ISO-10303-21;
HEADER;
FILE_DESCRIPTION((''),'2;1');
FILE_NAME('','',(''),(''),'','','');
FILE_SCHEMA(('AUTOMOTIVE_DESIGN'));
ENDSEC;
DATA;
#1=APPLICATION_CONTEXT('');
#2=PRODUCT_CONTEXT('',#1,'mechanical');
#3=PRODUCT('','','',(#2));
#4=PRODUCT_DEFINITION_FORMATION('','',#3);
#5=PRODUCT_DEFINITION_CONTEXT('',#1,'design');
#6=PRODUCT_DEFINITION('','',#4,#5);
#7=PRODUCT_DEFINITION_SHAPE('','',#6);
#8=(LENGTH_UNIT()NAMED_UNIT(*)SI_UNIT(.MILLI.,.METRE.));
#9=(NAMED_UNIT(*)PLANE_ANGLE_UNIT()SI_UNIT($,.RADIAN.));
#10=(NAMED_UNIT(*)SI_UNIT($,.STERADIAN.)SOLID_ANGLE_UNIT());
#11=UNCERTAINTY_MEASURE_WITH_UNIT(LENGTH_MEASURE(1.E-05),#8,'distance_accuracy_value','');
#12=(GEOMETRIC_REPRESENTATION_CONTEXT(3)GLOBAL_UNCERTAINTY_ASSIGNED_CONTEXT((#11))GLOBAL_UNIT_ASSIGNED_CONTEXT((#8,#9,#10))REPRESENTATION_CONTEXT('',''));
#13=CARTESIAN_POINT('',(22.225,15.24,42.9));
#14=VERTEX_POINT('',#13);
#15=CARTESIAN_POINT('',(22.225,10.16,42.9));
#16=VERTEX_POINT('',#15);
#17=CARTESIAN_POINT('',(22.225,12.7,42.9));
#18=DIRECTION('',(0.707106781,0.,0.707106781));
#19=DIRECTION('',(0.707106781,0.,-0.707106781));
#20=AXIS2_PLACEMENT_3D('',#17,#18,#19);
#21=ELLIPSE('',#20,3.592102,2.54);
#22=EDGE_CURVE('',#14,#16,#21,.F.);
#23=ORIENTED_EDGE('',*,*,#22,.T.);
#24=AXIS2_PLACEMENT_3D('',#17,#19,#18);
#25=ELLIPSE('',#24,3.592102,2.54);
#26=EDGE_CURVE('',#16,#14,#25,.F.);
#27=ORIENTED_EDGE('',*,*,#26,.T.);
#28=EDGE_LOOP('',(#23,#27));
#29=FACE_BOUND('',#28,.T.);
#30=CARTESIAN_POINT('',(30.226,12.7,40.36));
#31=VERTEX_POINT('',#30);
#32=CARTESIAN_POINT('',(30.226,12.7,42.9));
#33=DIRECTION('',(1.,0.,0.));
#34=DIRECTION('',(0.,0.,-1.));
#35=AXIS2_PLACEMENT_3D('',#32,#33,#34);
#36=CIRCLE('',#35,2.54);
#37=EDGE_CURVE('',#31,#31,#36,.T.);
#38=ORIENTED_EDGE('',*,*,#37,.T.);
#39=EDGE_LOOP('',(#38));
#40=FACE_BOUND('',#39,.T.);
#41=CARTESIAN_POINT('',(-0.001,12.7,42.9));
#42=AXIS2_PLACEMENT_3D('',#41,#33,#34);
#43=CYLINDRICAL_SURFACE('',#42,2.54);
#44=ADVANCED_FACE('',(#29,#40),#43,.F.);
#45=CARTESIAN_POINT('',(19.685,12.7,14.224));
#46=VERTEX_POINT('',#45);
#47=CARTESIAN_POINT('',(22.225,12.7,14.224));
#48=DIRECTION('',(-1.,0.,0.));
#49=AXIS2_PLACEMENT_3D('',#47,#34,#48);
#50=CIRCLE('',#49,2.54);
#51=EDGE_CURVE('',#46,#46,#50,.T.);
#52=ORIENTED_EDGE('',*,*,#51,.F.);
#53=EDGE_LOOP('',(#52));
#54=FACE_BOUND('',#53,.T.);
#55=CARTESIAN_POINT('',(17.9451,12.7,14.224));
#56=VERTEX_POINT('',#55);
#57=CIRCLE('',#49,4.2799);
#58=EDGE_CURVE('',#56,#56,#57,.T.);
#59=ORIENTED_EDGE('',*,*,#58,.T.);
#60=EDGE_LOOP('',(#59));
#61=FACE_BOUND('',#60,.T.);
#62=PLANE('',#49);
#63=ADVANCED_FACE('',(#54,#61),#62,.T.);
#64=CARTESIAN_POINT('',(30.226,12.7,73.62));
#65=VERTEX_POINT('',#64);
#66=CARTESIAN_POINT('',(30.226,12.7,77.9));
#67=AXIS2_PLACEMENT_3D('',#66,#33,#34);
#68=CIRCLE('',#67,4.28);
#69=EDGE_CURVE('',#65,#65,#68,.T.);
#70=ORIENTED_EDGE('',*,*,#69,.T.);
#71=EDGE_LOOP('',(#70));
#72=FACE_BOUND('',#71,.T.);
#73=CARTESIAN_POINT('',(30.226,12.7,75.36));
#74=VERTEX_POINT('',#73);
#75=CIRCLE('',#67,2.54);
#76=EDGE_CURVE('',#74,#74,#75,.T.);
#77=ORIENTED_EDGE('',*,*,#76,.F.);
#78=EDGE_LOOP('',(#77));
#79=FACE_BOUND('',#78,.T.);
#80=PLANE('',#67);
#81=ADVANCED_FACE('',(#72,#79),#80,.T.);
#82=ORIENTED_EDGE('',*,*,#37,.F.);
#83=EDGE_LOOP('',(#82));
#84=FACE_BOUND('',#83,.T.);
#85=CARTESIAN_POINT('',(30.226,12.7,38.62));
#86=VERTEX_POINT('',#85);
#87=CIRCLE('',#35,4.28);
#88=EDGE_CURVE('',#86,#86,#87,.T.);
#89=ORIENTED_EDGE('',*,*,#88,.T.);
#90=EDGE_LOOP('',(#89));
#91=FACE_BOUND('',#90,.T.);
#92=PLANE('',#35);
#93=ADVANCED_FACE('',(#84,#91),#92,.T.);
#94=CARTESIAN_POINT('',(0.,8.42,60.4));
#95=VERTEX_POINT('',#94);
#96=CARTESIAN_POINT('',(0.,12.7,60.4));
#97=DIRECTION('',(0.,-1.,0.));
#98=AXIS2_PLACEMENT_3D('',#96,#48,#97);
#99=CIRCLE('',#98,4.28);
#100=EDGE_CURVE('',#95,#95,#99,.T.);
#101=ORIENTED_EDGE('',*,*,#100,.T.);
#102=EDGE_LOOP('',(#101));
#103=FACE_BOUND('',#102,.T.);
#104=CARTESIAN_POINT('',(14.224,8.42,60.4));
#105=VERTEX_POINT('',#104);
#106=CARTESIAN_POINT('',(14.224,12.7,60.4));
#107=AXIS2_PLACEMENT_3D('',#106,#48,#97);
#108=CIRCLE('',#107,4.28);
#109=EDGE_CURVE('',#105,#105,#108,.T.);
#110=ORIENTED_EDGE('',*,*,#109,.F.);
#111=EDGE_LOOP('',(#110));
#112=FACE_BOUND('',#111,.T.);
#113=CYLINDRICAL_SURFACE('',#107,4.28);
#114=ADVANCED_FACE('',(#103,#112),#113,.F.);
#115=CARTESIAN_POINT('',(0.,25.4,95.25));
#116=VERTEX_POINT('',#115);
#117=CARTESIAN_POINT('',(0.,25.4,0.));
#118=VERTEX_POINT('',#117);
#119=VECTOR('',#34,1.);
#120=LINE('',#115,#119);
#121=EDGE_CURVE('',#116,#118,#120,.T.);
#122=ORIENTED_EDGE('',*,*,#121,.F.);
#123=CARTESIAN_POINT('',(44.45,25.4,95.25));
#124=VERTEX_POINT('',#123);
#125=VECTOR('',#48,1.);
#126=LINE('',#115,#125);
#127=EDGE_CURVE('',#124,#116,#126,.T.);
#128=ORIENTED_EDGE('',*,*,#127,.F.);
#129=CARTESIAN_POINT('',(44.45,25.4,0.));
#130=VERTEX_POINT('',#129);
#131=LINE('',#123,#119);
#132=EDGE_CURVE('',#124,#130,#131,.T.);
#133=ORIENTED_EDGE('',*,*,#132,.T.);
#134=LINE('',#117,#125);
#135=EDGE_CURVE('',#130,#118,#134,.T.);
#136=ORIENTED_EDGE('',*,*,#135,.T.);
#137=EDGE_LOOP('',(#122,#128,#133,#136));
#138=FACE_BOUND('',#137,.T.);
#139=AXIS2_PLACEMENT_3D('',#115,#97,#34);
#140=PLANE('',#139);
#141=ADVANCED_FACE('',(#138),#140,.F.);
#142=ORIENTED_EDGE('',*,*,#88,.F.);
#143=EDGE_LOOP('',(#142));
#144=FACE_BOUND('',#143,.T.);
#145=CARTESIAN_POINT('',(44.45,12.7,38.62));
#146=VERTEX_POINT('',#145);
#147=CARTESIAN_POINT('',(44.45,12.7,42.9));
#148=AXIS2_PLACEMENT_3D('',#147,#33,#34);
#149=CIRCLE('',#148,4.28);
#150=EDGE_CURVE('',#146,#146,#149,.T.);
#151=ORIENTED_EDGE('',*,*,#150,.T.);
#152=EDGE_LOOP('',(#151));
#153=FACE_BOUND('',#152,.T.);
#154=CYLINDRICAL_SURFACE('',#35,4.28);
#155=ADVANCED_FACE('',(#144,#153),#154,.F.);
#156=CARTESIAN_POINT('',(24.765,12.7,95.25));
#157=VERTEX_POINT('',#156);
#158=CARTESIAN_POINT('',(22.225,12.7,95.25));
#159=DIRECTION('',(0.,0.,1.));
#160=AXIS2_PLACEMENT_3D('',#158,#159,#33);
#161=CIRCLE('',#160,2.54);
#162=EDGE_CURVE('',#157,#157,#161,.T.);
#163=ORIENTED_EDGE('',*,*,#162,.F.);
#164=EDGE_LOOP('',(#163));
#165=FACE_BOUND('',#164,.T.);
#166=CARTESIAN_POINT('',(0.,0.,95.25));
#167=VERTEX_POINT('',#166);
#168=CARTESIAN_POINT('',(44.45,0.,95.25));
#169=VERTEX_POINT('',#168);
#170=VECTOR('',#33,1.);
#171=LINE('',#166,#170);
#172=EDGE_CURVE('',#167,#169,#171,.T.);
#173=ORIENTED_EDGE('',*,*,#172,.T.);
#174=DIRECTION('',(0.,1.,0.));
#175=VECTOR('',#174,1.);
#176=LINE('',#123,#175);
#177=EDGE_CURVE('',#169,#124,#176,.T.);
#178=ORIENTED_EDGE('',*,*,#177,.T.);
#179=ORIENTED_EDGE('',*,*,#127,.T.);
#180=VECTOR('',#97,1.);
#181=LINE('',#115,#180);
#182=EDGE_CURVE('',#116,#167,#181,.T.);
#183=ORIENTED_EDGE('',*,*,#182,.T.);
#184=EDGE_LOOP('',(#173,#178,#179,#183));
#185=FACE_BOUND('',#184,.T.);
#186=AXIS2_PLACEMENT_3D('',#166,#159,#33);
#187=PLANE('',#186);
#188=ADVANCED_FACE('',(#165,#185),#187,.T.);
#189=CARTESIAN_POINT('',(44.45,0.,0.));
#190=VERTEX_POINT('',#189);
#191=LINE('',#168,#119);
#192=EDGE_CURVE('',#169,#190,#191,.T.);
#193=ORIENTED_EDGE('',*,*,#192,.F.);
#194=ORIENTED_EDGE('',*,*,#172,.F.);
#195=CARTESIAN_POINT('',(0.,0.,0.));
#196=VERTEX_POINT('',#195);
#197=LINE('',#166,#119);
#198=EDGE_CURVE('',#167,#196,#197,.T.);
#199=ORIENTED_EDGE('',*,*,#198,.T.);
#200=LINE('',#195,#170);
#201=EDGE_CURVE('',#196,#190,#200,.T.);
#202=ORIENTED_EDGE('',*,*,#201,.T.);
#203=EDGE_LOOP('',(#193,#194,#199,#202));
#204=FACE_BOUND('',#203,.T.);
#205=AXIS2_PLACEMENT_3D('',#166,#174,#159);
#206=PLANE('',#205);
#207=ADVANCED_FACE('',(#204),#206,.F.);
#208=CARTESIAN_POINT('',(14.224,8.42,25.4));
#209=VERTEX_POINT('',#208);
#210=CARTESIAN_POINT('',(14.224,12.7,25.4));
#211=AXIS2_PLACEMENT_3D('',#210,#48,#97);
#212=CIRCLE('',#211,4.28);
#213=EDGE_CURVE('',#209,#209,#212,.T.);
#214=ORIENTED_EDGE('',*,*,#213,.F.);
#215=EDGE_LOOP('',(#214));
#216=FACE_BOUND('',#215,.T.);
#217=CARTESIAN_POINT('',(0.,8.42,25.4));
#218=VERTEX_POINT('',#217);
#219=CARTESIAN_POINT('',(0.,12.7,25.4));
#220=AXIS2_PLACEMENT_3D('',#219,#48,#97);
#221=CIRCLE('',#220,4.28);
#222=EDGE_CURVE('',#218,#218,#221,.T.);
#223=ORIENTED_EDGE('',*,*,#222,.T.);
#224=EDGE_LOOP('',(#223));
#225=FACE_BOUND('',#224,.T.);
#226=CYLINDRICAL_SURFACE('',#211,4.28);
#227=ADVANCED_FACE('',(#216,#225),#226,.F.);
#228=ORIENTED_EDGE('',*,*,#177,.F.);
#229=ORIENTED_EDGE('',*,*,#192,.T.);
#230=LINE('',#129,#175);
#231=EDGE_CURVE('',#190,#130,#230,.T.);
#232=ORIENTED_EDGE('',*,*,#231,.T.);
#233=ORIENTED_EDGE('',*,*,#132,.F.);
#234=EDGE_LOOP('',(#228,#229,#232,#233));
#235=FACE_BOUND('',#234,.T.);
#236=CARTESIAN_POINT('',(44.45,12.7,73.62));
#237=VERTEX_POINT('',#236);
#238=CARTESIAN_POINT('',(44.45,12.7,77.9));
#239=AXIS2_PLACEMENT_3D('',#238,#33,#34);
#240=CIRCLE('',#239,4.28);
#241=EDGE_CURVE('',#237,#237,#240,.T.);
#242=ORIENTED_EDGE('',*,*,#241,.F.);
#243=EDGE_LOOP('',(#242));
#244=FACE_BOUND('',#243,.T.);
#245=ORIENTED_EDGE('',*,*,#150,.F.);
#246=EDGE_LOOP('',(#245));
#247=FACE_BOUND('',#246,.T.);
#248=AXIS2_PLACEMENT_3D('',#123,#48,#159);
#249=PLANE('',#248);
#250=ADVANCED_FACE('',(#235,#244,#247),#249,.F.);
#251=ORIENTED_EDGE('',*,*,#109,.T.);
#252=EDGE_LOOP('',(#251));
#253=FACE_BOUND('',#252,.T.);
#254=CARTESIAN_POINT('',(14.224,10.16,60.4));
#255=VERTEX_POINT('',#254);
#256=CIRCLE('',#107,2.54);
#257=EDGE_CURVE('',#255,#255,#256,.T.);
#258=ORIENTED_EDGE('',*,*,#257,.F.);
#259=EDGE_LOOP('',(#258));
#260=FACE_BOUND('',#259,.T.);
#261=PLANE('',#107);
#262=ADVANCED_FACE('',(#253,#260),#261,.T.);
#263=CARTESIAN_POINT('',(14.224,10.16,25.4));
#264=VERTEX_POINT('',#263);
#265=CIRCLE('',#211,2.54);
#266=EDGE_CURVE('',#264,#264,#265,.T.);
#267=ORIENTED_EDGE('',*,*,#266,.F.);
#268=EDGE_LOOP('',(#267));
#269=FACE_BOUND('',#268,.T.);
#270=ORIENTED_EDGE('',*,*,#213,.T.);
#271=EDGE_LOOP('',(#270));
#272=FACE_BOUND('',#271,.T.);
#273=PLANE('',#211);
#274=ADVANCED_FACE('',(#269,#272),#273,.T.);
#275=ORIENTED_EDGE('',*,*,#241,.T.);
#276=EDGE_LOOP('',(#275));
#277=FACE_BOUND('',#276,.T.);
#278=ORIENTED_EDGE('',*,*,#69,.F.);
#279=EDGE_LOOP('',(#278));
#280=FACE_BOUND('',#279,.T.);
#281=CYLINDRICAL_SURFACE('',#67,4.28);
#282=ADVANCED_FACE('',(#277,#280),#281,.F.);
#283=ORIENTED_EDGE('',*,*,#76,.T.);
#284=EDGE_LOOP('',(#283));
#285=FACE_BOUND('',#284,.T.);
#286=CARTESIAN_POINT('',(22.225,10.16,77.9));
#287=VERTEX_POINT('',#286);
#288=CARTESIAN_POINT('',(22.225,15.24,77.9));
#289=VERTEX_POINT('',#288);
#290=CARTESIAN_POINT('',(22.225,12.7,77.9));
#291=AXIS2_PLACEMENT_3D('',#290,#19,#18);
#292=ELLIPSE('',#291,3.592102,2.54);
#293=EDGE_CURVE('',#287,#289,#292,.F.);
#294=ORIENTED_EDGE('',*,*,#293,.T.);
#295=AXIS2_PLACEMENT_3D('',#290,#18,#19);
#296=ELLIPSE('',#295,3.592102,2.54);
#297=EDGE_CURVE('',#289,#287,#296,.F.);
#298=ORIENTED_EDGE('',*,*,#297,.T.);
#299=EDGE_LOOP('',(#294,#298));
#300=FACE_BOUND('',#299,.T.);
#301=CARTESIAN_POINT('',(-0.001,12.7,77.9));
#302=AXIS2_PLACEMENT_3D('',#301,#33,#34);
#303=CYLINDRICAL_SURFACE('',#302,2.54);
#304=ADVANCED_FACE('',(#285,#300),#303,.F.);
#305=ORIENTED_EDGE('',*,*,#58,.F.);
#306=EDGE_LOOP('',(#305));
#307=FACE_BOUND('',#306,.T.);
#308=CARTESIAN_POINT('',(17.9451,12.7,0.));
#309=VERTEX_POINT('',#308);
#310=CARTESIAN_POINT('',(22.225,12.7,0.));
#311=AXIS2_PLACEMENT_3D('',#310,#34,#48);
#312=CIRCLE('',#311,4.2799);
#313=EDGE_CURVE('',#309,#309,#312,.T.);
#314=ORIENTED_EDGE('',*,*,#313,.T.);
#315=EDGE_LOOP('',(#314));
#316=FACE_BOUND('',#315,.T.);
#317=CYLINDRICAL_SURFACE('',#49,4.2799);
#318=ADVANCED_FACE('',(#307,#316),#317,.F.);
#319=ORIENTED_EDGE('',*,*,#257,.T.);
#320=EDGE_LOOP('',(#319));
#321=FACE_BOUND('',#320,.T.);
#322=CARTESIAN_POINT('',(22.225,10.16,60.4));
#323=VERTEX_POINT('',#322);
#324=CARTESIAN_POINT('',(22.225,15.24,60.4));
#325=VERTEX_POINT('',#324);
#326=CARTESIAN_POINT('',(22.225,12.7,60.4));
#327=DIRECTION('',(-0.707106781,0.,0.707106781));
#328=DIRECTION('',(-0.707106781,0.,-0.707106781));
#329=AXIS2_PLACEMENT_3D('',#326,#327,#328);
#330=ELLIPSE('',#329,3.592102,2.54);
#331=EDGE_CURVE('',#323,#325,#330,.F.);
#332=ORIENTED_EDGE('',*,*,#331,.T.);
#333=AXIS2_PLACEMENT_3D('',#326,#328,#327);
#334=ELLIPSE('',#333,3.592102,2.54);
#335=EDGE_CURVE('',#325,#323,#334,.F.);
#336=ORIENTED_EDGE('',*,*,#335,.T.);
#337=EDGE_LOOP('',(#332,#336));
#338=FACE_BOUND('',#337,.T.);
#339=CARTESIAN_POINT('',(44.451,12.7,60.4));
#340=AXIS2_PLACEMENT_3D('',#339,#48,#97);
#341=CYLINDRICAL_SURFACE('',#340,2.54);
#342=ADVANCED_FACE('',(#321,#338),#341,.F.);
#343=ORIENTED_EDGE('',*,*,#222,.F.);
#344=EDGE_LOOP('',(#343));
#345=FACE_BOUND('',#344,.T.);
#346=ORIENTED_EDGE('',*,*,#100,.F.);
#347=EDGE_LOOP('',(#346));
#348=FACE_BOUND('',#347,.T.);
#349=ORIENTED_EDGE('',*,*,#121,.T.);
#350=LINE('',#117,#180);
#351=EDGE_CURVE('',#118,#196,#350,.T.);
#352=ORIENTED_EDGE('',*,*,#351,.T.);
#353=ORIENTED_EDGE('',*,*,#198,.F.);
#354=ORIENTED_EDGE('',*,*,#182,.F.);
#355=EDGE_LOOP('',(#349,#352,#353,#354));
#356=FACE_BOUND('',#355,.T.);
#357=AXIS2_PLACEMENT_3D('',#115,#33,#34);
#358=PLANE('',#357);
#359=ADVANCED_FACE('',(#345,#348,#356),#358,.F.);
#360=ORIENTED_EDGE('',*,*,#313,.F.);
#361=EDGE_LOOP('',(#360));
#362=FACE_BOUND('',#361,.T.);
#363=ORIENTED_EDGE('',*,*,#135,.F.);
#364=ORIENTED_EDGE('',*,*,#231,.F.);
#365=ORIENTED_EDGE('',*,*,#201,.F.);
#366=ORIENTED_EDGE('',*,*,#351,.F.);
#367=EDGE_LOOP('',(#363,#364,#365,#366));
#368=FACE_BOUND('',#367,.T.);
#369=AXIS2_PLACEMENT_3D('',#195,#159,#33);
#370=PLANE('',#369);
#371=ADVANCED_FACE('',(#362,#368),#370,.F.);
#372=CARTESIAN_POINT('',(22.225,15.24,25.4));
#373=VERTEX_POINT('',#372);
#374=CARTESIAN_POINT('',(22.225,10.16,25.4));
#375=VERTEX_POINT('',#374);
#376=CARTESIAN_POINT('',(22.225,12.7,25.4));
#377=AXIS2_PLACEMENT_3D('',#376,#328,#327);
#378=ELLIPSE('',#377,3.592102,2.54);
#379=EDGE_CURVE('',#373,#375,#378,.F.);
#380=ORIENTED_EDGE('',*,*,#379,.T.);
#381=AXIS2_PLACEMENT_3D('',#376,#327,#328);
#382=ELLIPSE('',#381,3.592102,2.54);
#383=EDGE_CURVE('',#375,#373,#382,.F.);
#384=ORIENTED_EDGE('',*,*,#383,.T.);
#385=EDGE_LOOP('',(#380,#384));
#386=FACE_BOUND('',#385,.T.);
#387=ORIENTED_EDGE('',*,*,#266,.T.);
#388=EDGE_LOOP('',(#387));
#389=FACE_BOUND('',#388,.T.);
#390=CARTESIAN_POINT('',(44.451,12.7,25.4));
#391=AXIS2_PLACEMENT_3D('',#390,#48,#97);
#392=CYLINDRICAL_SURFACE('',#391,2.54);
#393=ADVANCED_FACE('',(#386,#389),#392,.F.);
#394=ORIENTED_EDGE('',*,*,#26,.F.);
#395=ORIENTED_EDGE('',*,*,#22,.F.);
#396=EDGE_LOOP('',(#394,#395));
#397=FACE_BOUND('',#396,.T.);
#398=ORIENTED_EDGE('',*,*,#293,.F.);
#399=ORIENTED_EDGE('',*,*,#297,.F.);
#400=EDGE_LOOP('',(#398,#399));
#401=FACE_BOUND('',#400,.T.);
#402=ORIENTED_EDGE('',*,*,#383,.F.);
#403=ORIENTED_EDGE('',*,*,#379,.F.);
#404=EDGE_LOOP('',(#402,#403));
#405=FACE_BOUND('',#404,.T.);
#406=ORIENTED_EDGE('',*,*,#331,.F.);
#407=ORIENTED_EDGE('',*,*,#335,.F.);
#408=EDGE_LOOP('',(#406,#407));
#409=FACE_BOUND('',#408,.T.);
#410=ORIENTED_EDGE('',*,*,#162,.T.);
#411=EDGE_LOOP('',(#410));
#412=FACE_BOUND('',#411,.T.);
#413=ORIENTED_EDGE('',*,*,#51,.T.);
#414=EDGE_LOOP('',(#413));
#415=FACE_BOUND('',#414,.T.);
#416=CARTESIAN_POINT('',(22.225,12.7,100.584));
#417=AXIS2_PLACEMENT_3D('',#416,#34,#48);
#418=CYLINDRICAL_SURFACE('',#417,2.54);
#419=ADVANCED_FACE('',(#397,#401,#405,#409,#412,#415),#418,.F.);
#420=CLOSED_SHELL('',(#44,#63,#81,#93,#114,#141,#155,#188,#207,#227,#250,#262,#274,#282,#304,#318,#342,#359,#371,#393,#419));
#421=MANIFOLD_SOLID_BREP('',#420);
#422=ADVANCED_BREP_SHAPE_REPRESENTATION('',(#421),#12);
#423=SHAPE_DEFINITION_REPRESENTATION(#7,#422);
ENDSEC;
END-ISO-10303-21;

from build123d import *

# Parameters (mm, degrees)
SKETCH1_W           = 44.45
SKETCH1_H           = 25.4
BOSS_EXTRUDE1_DEPTH = 95.25
SKETCH2_R           = 4.28
CUT_EXTRUDE1_DEPTH  = 14.224
SKETCH3_R           = 4.28
CUT_EXTRUDE2_DEPTH  = 14.224
SKETCH5_R           = 4.2799
CUT_EXTRUDE4_DEPTH  = 14.224
SKETCH6_R           = 2.54
CUT_EXTRUDE5_DEPTH  = 86.36
CUT_EXTRUDE6_REACH  = 32.226
SKETCH7_R           = 2.54
CUT_EXTRUDE7_REACH  = 32.226
SKETCH8_R           = 2.54


with BuildPart() as part:
    # Sketch1 → Boss-Extrude1 (new body)
    with BuildSketch(Plane.XY):
        with Locations((22.225, 12.7)):
            Rectangle(SKETCH1_W, SKETCH1_H)
    extrude(amount=BOSS_EXTRUDE1_DEPTH)

    # Sketch2 → Cut-Extrude1 (cut)
    with BuildSketch(Plane.ZY):
        with Locations((25.4, 12.7)):
            Circle(SKETCH2_R)
        with Locations((60.4, 12.7)):
            Circle(SKETCH2_R)
    extrude(amount=-CUT_EXTRUDE1_DEPTH, mode=Mode.SUBTRACT)

    # Sketch3 → Cut-Extrude2 (cut)
    with BuildSketch(Plane(origin=(44.45, 0, 0), x_dir=(0, 0, -1), z_dir=(1, 0, 0))):
        with Locations((-77.9, 12.7)):
            Circle(SKETCH3_R)
        with Locations((-42.9, 12.7)):
            Circle(SKETCH3_R)
    extrude(amount=-CUT_EXTRUDE2_DEPTH, mode=Mode.SUBTRACT)

    # Sketch5 → Cut-Extrude4 (cut)
    with BuildSketch(Plane(origin=(0, 0, 0), x_dir=(-1, 0, 0), z_dir=(0, 0, -1))):
        with Locations((-22.225, 12.7)):
            Circle(SKETCH5_R)
    extrude(amount=-CUT_EXTRUDE4_DEPTH, mode=Mode.SUBTRACT)

    # Sketch6 → Cut-Extrude5 (cut)
    with BuildSketch(Plane(origin=(0, 0, 14.224), x_dir=(-1, 0, 0), z_dir=(0, 0, -1))):
        with Locations((-22.225, 12.7)):
            Circle(SKETCH6_R)
    extrude(amount=-CUT_EXTRUDE5_DEPTH, mode=Mode.SUBTRACT)

    # Sketch7 → Cut-Extrude6 (cut, up to next)
    with BuildSketch(Plane(origin=(30.226, 0, 0), x_dir=(0, 0, -1), z_dir=(1, 0, 0)), mode=Mode.PRIVATE) as cut_extrude6_sk1:
        with Locations((-42.9, 12.7)):
            Circle(SKETCH7_R)
    cut_extrude6_tool1 = extrude(cut_extrude6_sk1.sketch, amount=-CUT_EXTRUDE6_REACH, mode=Mode.PRIVATE) & part.part
    add(cut_extrude6_tool1.solids().sort_by_distance((30.226, 12.7, 42.9))[0], mode=Mode.SUBTRACT)
    # Sketch7 → Cut-Extrude6 (cut, up to next)
    with BuildSketch(Plane(origin=(30.226, 0, 0), x_dir=(0, 0, -1), z_dir=(1, 0, 0)), mode=Mode.PRIVATE) as cut_extrude6_sk2:
        with Locations((-77.9, 12.7)):
            Circle(SKETCH7_R)
    cut_extrude6_tool2 = extrude(cut_extrude6_sk2.sketch, amount=-CUT_EXTRUDE6_REACH, mode=Mode.PRIVATE) & part.part
    add(cut_extrude6_tool2.solids().sort_by_distance((30.226, 12.7, 77.9))[0], mode=Mode.SUBTRACT)

    # Sketch8 → Cut-Extrude7 (cut, up to next)
    with BuildSketch(Plane.ZY.offset(-14.224), mode=Mode.PRIVATE) as cut_extrude7_sk1:
        with Locations((25.4, 12.7)):
            Circle(SKETCH8_R)
    cut_extrude7_tool1 = extrude(cut_extrude7_sk1.sketch, amount=-CUT_EXTRUDE7_REACH, mode=Mode.PRIVATE) & part.part
    add(cut_extrude7_tool1.solids().sort_by_distance((14.224, 12.7, 25.4))[0], mode=Mode.SUBTRACT)
    # Sketch8 → Cut-Extrude7 (cut, up to next)
    with BuildSketch(Plane.ZY.offset(-14.224), mode=Mode.PRIVATE) as cut_extrude7_sk2:
        with Locations((60.4, 12.7)):
            Circle(SKETCH8_R)
    cut_extrude7_tool2 = extrude(cut_extrude7_sk2.sketch, amount=-CUT_EXTRUDE7_REACH, mode=Mode.PRIVATE) & part.part
    add(cut_extrude7_tool2.solids().sort_by_distance((14.224, 12.7, 60.4))[0], mode=Mode.SUBTRACT)


solid = part.part
